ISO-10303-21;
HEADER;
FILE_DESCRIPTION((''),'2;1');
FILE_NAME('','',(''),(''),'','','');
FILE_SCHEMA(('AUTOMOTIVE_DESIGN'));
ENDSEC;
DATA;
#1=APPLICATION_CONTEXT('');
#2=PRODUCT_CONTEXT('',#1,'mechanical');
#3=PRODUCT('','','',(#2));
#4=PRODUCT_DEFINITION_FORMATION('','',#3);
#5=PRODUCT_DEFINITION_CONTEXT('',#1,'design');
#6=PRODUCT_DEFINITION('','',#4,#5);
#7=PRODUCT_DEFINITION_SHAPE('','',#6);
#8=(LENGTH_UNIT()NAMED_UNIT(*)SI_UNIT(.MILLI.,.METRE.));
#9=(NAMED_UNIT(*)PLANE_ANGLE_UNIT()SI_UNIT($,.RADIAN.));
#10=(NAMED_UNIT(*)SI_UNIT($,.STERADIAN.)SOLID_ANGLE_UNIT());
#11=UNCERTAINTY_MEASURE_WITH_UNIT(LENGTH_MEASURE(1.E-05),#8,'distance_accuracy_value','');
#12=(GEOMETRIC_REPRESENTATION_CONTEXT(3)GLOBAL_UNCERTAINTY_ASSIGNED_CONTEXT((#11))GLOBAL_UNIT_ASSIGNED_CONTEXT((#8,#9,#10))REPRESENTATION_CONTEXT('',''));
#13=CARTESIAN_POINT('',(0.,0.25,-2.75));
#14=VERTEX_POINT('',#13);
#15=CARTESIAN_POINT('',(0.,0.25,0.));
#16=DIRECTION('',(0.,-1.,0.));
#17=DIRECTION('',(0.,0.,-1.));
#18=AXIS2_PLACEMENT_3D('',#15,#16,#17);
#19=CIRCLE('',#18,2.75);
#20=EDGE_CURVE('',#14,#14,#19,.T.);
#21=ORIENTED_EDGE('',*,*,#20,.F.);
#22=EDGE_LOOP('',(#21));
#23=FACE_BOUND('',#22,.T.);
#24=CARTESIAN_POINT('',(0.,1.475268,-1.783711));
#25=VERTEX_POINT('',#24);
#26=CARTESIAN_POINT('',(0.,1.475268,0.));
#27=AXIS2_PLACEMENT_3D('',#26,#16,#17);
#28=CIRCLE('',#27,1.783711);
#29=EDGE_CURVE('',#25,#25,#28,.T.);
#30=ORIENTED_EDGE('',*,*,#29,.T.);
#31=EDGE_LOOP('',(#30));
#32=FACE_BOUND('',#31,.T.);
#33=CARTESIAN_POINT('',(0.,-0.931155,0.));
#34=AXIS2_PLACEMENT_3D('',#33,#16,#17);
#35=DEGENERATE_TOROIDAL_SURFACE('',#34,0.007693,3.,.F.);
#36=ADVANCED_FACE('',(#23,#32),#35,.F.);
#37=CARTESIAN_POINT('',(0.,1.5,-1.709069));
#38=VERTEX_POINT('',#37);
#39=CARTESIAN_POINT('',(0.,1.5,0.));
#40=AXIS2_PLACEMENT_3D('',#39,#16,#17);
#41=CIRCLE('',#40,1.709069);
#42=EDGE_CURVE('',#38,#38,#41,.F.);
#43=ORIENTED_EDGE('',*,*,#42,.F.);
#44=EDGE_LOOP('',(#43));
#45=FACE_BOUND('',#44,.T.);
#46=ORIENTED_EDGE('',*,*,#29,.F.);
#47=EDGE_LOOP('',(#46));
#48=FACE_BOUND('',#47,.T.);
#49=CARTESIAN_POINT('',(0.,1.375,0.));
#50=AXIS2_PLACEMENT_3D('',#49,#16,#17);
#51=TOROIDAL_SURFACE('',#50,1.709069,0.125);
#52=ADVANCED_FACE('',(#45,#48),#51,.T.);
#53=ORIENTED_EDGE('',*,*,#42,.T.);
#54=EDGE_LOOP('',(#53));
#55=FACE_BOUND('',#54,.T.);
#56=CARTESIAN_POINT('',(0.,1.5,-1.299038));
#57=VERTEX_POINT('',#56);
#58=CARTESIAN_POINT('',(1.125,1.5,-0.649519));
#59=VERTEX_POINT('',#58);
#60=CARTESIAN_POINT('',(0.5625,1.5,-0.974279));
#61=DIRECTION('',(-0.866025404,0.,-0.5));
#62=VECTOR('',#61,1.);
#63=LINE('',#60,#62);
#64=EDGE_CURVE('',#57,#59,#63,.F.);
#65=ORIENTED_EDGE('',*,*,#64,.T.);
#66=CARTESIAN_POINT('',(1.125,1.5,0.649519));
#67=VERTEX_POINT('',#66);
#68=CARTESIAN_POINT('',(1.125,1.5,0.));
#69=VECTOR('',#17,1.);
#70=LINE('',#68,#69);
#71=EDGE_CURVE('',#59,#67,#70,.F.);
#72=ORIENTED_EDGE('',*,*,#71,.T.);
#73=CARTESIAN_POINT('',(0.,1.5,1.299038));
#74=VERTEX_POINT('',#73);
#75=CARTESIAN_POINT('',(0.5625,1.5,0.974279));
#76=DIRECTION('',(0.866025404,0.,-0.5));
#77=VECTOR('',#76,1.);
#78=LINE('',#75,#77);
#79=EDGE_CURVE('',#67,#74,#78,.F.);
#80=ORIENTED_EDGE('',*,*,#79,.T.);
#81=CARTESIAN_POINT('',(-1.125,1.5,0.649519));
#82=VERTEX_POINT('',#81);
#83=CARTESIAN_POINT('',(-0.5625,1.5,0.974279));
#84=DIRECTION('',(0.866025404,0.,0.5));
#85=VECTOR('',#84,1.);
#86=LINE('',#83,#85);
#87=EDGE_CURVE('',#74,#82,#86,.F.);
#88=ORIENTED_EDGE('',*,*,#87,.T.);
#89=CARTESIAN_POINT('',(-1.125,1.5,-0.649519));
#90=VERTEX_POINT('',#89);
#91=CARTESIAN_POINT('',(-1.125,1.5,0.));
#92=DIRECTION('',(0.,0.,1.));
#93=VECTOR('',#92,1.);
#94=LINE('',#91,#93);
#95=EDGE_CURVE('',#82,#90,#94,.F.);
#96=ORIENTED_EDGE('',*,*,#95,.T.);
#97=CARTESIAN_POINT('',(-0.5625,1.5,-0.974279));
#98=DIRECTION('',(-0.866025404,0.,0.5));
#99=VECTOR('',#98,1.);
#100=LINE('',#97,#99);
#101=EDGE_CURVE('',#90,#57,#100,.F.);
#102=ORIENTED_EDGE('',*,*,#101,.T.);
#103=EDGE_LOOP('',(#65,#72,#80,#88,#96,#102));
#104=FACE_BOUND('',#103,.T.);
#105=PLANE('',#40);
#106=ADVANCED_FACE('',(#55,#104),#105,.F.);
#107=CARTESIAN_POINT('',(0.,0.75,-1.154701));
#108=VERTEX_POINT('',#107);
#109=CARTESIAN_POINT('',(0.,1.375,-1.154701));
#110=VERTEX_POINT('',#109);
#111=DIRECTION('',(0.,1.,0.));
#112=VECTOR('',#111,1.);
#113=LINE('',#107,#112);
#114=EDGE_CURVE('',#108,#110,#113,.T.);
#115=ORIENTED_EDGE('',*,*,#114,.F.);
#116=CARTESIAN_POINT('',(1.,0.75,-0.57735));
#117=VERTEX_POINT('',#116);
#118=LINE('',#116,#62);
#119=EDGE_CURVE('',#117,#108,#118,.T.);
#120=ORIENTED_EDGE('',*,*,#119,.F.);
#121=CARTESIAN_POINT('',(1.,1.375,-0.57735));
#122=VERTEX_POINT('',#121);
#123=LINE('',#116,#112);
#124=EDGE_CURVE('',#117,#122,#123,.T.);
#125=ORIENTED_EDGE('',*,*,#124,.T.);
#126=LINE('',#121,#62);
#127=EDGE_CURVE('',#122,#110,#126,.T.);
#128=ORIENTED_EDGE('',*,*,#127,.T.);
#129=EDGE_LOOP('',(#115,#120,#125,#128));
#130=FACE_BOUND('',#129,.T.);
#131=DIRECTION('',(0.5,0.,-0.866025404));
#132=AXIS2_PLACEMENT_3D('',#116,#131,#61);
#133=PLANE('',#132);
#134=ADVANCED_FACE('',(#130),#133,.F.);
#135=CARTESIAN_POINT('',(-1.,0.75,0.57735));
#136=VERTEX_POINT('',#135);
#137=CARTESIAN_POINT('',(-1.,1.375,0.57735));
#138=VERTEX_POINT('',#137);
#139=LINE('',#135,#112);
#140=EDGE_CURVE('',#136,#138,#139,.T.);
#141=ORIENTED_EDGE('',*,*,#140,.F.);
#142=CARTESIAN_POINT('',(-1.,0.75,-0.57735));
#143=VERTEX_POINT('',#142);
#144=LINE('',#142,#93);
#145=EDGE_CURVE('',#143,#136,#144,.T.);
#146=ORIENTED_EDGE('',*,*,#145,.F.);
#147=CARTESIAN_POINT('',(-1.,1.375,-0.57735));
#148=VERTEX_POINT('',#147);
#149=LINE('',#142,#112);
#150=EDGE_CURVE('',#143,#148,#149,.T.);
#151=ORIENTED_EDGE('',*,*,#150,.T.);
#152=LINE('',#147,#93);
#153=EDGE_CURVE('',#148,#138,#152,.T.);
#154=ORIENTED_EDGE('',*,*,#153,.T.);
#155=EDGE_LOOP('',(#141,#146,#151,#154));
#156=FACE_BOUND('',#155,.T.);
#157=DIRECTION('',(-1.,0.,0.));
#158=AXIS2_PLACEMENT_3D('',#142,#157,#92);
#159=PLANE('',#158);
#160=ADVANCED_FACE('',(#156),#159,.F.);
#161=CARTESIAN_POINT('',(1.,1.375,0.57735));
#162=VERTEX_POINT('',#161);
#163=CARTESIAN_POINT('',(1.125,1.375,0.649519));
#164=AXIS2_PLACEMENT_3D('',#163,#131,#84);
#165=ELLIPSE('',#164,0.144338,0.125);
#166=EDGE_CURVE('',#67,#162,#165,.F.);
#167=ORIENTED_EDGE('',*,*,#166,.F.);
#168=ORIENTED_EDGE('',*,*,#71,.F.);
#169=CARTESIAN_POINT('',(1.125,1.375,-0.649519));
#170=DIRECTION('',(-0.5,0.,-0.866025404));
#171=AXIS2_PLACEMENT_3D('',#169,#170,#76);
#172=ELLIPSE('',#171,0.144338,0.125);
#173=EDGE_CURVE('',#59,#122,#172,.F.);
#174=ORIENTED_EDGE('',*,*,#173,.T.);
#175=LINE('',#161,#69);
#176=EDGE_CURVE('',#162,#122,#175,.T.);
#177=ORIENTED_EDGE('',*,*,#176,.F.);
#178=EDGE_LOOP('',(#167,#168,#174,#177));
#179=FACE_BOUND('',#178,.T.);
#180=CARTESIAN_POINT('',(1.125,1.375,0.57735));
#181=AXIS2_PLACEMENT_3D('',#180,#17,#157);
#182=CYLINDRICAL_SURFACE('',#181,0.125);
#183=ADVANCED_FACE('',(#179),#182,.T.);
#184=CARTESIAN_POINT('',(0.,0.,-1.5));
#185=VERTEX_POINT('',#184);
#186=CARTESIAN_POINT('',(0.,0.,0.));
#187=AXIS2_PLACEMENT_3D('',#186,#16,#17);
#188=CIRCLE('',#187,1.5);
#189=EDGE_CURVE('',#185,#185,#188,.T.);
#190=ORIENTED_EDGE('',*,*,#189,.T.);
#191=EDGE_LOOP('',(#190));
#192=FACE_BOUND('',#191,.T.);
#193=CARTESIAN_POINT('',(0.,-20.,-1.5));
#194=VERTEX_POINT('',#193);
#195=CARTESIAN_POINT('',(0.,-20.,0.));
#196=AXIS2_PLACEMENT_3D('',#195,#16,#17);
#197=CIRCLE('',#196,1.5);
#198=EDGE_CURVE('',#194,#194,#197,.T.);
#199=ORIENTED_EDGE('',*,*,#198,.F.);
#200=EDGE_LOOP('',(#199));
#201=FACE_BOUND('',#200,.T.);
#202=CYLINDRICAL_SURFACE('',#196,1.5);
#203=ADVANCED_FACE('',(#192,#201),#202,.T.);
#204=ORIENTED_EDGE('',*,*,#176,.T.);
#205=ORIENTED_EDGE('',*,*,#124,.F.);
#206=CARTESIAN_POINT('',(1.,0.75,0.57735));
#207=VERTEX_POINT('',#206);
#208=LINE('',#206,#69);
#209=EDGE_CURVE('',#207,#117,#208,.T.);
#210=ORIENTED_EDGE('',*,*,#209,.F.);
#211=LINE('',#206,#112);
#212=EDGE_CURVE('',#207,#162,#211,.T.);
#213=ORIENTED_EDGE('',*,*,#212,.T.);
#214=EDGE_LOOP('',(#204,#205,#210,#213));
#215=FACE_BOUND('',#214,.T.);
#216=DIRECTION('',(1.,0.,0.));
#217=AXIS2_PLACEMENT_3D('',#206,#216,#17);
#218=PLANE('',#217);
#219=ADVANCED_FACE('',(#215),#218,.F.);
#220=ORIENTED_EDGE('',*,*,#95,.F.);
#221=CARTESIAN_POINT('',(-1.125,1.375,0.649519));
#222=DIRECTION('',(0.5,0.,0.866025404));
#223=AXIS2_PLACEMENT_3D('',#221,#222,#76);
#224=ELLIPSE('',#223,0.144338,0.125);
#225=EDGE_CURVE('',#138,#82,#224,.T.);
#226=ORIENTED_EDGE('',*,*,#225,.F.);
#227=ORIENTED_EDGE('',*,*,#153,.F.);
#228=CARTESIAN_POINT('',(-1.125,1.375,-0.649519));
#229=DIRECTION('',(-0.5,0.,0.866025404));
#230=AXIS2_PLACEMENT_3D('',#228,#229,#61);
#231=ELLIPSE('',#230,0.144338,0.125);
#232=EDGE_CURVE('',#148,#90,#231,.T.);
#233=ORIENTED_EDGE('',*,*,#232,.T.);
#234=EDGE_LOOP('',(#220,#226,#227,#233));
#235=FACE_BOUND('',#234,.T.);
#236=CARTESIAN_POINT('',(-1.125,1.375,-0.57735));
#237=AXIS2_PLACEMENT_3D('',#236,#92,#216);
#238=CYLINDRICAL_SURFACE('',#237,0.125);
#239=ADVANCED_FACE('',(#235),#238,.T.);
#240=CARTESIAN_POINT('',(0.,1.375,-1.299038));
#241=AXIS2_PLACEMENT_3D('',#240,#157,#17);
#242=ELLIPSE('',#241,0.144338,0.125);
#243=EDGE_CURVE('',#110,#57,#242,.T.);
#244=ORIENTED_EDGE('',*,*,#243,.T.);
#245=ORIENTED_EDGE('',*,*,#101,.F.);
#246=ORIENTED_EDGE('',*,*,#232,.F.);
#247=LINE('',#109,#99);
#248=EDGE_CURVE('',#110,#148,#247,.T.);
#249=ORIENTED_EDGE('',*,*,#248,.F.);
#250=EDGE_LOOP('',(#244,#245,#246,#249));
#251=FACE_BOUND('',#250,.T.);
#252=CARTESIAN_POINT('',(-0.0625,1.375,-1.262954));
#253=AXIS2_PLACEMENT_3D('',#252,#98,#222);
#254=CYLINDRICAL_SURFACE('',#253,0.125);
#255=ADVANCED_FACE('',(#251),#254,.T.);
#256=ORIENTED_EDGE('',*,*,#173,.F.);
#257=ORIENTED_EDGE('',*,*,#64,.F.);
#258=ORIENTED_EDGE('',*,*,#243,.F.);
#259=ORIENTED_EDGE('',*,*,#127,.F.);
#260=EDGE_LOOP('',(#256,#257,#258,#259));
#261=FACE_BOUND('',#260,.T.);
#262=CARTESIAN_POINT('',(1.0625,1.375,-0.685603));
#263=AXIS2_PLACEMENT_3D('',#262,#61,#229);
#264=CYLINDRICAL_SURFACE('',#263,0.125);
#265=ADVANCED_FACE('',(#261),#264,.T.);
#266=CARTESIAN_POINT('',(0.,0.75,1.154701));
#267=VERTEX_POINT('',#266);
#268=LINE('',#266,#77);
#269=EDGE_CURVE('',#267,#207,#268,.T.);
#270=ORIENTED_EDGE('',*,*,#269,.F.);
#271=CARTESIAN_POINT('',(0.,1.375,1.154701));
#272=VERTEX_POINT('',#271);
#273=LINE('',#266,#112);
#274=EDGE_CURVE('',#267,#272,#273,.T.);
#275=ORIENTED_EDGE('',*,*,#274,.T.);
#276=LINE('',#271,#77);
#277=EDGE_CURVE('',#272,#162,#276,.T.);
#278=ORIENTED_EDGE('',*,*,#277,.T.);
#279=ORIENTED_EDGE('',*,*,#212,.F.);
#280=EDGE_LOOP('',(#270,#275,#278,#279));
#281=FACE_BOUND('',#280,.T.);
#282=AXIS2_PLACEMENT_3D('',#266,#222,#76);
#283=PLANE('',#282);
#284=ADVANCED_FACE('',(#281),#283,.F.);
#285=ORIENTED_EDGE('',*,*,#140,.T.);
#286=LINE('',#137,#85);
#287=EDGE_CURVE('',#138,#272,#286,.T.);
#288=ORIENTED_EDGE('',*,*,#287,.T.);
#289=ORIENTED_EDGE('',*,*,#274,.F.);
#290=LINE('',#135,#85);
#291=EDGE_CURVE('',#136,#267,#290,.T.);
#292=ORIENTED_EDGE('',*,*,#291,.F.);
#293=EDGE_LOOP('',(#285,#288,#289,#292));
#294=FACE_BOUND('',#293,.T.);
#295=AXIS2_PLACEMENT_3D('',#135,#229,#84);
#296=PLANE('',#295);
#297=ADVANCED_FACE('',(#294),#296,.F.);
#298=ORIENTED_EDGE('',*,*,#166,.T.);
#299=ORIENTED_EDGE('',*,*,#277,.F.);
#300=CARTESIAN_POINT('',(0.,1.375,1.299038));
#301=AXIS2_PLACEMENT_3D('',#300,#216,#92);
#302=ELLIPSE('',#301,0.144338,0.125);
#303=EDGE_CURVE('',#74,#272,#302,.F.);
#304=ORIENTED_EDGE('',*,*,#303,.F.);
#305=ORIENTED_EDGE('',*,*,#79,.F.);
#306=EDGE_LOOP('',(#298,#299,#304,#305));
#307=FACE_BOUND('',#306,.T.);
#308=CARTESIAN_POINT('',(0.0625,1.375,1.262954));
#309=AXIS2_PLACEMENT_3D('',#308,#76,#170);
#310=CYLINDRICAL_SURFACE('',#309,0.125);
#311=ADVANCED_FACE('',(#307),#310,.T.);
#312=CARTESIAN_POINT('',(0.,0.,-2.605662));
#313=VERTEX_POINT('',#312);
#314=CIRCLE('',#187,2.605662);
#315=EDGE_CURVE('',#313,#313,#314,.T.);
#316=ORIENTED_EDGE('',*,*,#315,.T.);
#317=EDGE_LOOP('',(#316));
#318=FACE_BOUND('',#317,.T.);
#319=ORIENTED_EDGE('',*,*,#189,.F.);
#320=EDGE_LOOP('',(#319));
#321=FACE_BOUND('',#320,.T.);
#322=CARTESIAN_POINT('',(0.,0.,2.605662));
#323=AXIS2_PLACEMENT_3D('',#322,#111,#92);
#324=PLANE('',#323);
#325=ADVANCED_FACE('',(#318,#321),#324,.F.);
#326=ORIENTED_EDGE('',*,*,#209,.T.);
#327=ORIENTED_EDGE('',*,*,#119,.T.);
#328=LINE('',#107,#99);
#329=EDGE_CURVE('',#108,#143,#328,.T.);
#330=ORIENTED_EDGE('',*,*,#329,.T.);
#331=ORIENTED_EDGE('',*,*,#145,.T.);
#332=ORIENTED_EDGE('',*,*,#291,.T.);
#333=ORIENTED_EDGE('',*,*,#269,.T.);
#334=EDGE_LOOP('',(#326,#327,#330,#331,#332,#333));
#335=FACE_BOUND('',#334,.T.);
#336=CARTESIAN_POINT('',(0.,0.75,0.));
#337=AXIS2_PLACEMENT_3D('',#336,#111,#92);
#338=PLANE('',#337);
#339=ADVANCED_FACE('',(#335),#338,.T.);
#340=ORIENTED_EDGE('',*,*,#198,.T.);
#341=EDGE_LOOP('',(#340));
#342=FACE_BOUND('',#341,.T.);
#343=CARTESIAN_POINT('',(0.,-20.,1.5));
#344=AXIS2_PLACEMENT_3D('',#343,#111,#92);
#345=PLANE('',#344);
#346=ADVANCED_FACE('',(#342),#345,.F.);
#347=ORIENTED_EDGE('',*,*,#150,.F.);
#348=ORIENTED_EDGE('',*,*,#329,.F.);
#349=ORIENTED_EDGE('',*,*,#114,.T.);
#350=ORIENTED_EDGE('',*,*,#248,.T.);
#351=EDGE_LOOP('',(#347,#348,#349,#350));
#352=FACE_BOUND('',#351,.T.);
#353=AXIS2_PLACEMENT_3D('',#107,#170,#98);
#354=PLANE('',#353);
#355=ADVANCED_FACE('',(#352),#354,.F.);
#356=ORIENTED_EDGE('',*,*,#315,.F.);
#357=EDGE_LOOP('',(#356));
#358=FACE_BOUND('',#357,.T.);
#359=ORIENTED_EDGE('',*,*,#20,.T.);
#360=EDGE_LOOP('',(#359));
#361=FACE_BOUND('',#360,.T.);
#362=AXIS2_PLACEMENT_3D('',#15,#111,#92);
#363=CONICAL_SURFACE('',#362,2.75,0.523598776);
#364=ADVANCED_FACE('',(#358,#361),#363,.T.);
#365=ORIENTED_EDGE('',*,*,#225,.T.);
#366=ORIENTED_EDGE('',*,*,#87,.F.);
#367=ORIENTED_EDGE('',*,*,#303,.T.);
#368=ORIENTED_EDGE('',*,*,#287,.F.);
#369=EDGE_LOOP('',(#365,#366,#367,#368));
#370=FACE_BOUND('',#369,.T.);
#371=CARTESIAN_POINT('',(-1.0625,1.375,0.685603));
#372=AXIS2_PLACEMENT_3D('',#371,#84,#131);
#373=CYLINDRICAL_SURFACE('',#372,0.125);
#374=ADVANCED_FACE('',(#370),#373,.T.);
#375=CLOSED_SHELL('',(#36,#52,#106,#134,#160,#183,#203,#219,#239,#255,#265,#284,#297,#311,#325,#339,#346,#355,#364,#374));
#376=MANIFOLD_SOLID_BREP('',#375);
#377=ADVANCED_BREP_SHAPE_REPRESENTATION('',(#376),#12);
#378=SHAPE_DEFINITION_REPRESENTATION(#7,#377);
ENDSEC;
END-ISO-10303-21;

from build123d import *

# Parameters (mm, degrees)
CUT_EXTRUDE1_DEPTH = 0.75
FILLET1_R          = 0.125


with BuildPart() as part:
    # Sketch1 → Revolve1 (revolve)
    with BuildSketch(Plane(origin=(0, 0, 0), x_dir=(0, 0, -1), z_dir=(1, 0, 0))):
        with BuildLine():
            Line((0, 1.5), (-1.75, 1.5))
            ThreePointArc((-1.75, 1.5), (-2.334912942, 0.942930354), (-2.75, 0.25))
            Line((-2.75, 0.25), (-2.605662433, 0))
            Line((-2.605662433, 0), (-1.5, 0))
            Line((-1.5, 0), (-1.5, -20))
            Line((-1.5, -20), (0, -20))
            Line((0, -20), (0, 1.5))
        make_face()
    revolve(axis=Axis((0, -20, 0), (0, 1, 0)))

    # Sketch2 → Cut-Extrude1 (cut)
    with BuildSketch(Plane(origin=(0, 1.5, 0), x_dir=(1, 0, 0), z_dir=(0, 1, 0))):
        Polygon((0, 1.154700538), (-1, 0.577350269), (-1, -0.577350269), (0, -1.154700538), (1, -0.577350269), (1, 0.577350269), align=None)
    extrude(amount=-CUT_EXTRUDE1_DEPTH, mode=Mode.SUBTRACT)

    # Fillet1
    fillet1_edges = [part.edges().sort_by_distance(p)[0] for p in [
        (0.5, 1.5, -0.866025404),
        (-0.5, 1.5, -0.866025404),
        (-1, 1.5, 0),
        (-0.5, 1.5, 0.866025404),
        (0.5, 1.5, 0.866025404),
        (1, 1.5, 0),
        (0, 1.5, -1.75),
    ]]
    fillet(fillet1_edges, radius=FILLET1_R)


solid = part.part
